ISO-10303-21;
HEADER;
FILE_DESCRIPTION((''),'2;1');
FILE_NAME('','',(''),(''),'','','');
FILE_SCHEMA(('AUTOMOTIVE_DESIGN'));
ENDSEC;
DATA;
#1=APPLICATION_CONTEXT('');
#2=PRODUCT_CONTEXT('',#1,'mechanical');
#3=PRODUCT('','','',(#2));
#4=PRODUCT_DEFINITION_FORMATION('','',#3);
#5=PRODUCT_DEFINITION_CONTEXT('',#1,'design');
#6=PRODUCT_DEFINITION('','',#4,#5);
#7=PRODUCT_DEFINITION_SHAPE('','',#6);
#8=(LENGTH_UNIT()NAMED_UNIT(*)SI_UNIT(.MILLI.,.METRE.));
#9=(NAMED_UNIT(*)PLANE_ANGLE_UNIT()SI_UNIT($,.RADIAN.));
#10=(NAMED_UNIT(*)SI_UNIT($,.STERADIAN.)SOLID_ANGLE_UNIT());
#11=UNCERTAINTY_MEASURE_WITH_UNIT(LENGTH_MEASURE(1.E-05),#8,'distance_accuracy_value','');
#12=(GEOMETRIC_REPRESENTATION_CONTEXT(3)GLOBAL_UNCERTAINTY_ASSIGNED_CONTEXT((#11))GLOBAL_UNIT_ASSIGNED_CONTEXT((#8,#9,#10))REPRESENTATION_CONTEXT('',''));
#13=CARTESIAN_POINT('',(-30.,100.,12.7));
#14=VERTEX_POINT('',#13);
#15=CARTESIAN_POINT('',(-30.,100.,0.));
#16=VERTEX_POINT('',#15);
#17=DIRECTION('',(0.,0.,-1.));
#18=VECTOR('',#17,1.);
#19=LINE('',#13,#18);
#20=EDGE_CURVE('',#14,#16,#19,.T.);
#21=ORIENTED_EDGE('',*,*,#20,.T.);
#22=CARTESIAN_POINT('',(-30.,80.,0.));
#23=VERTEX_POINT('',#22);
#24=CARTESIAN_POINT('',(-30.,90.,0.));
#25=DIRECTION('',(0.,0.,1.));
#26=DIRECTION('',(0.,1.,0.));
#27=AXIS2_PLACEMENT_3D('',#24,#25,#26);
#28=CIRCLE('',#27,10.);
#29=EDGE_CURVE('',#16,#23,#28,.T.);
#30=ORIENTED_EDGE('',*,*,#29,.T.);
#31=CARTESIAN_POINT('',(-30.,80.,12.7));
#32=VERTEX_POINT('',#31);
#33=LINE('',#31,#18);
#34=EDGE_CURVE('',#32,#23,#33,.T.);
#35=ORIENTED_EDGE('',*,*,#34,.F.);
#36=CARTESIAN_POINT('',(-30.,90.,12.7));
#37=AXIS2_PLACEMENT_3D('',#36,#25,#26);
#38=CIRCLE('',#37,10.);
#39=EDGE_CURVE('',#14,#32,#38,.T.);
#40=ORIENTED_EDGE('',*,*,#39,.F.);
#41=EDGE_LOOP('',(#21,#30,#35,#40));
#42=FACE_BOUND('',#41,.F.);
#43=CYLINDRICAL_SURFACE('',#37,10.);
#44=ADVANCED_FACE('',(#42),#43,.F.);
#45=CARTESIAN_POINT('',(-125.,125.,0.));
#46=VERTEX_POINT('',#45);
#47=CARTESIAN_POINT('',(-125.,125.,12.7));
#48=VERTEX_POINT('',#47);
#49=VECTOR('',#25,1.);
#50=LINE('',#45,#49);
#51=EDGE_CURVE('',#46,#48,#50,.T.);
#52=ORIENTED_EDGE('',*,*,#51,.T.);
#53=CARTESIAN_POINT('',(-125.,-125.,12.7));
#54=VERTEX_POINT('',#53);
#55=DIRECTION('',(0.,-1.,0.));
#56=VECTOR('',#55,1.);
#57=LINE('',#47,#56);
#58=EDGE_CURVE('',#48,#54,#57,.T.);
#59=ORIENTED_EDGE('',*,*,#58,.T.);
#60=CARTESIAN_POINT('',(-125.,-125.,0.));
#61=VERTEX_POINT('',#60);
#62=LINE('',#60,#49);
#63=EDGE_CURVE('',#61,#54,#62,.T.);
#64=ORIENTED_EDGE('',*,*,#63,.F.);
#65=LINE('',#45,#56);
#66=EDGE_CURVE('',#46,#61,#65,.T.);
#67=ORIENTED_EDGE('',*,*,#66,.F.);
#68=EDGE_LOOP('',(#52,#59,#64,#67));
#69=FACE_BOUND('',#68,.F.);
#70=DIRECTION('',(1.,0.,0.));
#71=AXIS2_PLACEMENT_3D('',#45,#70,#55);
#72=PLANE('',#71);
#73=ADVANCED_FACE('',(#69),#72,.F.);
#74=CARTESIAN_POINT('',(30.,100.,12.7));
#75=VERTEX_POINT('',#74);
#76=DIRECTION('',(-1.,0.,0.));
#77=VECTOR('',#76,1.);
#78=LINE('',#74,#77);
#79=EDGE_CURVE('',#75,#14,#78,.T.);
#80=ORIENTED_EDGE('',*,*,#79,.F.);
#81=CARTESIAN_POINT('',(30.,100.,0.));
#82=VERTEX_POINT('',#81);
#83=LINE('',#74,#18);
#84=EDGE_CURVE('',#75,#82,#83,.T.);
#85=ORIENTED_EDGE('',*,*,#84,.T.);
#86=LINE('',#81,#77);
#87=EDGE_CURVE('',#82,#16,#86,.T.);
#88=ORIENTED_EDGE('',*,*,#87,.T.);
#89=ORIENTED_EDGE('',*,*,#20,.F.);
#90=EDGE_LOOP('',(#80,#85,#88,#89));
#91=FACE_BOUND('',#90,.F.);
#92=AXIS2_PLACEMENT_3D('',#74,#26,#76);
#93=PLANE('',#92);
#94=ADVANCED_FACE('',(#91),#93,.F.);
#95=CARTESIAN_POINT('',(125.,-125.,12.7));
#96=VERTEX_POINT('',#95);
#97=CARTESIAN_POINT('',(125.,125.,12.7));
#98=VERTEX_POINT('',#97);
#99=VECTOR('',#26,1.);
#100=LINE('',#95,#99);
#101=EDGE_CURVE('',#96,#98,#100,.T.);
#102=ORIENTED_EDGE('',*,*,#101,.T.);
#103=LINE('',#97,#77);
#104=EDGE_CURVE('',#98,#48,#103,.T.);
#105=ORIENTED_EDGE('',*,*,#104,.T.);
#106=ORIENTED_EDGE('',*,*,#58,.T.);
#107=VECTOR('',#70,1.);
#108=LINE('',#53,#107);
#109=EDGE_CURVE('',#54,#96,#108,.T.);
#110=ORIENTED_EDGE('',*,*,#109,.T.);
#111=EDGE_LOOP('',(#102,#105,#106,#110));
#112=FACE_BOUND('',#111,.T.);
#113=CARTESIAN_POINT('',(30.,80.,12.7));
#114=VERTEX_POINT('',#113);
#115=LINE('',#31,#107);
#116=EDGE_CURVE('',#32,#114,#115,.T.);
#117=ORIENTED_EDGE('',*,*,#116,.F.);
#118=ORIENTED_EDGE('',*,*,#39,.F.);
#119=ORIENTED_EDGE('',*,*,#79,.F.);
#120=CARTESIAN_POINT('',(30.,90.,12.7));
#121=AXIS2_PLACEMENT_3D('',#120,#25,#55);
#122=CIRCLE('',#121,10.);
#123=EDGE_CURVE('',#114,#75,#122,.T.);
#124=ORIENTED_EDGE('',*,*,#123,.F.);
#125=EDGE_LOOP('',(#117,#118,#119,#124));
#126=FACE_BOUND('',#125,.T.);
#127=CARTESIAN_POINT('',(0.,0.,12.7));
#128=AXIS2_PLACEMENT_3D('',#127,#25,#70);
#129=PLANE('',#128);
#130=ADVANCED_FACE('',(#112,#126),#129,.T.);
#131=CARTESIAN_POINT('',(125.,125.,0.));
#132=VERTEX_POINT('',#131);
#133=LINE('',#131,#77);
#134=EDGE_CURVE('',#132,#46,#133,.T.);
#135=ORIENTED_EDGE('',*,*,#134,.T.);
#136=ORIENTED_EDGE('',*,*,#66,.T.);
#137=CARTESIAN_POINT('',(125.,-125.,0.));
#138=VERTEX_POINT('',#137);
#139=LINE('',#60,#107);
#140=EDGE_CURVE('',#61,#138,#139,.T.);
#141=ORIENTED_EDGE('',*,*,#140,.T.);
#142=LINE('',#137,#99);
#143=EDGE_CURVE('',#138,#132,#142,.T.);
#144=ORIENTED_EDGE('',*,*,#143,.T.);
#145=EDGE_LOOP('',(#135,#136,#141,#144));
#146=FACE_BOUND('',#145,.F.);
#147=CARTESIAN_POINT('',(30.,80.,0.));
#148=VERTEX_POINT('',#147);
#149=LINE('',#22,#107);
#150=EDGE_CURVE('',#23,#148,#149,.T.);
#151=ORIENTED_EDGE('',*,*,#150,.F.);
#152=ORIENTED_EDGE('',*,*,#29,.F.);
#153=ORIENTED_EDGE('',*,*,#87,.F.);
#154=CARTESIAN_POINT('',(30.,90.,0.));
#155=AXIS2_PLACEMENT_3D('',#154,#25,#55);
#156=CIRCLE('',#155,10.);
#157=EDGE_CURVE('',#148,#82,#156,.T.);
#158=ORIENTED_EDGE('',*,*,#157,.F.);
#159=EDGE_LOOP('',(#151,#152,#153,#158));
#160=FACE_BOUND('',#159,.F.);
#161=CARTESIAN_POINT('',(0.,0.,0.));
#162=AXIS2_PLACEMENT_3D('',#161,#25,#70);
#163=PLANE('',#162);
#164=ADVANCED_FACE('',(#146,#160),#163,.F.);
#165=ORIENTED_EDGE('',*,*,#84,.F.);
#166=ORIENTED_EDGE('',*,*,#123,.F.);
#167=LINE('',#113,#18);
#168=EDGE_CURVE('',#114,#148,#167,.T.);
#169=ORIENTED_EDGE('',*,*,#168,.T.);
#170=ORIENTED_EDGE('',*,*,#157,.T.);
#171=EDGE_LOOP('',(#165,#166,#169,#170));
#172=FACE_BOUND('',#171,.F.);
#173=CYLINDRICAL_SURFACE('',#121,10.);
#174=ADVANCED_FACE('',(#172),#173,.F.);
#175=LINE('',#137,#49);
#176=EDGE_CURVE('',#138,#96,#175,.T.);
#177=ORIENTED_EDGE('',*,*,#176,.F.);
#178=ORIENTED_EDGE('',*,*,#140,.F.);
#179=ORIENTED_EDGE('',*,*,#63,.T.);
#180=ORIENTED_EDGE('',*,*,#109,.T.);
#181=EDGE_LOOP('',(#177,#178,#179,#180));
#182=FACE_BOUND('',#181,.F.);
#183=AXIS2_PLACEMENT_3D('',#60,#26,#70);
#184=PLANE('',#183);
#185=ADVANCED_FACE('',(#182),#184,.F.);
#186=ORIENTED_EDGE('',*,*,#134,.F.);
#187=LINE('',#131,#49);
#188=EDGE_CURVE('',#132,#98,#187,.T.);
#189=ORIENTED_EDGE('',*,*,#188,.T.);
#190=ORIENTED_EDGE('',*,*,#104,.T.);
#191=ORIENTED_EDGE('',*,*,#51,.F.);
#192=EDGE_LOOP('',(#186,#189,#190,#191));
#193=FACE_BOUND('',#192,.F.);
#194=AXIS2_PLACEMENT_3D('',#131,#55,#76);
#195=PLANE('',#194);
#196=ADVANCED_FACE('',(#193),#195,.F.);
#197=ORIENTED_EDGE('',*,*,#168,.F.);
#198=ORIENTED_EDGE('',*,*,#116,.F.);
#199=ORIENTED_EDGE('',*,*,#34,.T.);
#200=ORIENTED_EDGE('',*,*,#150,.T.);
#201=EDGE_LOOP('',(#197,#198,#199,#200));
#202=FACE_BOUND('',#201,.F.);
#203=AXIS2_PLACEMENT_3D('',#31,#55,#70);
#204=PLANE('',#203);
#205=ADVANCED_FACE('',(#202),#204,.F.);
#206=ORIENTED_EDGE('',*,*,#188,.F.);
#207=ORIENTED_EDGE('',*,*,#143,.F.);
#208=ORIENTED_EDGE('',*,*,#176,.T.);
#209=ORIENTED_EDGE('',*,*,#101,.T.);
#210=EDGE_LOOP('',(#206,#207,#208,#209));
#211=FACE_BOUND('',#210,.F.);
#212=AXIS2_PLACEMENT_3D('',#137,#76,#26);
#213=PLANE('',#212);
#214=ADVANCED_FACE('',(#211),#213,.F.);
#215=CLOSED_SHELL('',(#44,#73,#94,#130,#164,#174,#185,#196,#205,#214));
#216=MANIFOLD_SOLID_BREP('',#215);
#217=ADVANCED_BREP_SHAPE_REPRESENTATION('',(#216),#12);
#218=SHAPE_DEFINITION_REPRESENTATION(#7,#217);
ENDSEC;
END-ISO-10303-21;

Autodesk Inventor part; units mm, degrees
ref_plane "YZ Plane" through (0, 0, 0) normal (1, 0, 0) x (0, 1, 0)
ref_plane "XZ Plane" through (0, 0, 0) normal (0, 1, 0) x (-1, 0, 0)
ref_plane "XY Plane" through (0, 0, 0) normal (0, 0, 1) x (1, 0, 0)
sketch "Sketch1" plane through (0, 0, 0) normal (0, 0, 1) x (1, 0, 0)
  line L0 (-125, -125) -> (125, -125)
  line L1 (125, -125) -> (125, 125)
  line L2 (125, 125) -> (-125, 125)
  line L3 (-125, 125) -> (-125, -125)
  line L4 (-125, -125) -> (125, 125) construction
  line L5 (125, -125) -> (-125, 125) construction
  point P0 (0, 0)
  dimension "Height" = 250
  dimension "Width" = 250
extrude "Extrusion1" add sketch "Sketch1" along normal blind 12.7
sketch "Sketch2" plane through (0, 0, 12.7) normal (0, 0, 1) x (1, 0, 0)
  line L0 (-30, 90) -> (30, 90) construction
  line L1 (-30, 80) -> (30, 80)
  line L2 (30, 100) -> (-30, 100)
  arc A0 (-30, 100) -> (-30, 80) centre (-30, 90) ccw
  arc A1 (30, 80) -> (30, 100) centre (30, 90) ccw
  line L3 (125, 125) -> (-125, 125) projected
  point P0 (0, 0)
  point P1 (0, 90)
  dimension "d4" = 30
  dimension "d5" = 20
  dimension "d6" = 25
extrude "Extrusion2" cut sketch "Sketch2" against normal up to surface (12.7 mm away)
equation "\"d7\" = thickness"
equation "\"thickness\" = 12.7"
properties part number "Creat Front-01" material "Wood (Maple)"
